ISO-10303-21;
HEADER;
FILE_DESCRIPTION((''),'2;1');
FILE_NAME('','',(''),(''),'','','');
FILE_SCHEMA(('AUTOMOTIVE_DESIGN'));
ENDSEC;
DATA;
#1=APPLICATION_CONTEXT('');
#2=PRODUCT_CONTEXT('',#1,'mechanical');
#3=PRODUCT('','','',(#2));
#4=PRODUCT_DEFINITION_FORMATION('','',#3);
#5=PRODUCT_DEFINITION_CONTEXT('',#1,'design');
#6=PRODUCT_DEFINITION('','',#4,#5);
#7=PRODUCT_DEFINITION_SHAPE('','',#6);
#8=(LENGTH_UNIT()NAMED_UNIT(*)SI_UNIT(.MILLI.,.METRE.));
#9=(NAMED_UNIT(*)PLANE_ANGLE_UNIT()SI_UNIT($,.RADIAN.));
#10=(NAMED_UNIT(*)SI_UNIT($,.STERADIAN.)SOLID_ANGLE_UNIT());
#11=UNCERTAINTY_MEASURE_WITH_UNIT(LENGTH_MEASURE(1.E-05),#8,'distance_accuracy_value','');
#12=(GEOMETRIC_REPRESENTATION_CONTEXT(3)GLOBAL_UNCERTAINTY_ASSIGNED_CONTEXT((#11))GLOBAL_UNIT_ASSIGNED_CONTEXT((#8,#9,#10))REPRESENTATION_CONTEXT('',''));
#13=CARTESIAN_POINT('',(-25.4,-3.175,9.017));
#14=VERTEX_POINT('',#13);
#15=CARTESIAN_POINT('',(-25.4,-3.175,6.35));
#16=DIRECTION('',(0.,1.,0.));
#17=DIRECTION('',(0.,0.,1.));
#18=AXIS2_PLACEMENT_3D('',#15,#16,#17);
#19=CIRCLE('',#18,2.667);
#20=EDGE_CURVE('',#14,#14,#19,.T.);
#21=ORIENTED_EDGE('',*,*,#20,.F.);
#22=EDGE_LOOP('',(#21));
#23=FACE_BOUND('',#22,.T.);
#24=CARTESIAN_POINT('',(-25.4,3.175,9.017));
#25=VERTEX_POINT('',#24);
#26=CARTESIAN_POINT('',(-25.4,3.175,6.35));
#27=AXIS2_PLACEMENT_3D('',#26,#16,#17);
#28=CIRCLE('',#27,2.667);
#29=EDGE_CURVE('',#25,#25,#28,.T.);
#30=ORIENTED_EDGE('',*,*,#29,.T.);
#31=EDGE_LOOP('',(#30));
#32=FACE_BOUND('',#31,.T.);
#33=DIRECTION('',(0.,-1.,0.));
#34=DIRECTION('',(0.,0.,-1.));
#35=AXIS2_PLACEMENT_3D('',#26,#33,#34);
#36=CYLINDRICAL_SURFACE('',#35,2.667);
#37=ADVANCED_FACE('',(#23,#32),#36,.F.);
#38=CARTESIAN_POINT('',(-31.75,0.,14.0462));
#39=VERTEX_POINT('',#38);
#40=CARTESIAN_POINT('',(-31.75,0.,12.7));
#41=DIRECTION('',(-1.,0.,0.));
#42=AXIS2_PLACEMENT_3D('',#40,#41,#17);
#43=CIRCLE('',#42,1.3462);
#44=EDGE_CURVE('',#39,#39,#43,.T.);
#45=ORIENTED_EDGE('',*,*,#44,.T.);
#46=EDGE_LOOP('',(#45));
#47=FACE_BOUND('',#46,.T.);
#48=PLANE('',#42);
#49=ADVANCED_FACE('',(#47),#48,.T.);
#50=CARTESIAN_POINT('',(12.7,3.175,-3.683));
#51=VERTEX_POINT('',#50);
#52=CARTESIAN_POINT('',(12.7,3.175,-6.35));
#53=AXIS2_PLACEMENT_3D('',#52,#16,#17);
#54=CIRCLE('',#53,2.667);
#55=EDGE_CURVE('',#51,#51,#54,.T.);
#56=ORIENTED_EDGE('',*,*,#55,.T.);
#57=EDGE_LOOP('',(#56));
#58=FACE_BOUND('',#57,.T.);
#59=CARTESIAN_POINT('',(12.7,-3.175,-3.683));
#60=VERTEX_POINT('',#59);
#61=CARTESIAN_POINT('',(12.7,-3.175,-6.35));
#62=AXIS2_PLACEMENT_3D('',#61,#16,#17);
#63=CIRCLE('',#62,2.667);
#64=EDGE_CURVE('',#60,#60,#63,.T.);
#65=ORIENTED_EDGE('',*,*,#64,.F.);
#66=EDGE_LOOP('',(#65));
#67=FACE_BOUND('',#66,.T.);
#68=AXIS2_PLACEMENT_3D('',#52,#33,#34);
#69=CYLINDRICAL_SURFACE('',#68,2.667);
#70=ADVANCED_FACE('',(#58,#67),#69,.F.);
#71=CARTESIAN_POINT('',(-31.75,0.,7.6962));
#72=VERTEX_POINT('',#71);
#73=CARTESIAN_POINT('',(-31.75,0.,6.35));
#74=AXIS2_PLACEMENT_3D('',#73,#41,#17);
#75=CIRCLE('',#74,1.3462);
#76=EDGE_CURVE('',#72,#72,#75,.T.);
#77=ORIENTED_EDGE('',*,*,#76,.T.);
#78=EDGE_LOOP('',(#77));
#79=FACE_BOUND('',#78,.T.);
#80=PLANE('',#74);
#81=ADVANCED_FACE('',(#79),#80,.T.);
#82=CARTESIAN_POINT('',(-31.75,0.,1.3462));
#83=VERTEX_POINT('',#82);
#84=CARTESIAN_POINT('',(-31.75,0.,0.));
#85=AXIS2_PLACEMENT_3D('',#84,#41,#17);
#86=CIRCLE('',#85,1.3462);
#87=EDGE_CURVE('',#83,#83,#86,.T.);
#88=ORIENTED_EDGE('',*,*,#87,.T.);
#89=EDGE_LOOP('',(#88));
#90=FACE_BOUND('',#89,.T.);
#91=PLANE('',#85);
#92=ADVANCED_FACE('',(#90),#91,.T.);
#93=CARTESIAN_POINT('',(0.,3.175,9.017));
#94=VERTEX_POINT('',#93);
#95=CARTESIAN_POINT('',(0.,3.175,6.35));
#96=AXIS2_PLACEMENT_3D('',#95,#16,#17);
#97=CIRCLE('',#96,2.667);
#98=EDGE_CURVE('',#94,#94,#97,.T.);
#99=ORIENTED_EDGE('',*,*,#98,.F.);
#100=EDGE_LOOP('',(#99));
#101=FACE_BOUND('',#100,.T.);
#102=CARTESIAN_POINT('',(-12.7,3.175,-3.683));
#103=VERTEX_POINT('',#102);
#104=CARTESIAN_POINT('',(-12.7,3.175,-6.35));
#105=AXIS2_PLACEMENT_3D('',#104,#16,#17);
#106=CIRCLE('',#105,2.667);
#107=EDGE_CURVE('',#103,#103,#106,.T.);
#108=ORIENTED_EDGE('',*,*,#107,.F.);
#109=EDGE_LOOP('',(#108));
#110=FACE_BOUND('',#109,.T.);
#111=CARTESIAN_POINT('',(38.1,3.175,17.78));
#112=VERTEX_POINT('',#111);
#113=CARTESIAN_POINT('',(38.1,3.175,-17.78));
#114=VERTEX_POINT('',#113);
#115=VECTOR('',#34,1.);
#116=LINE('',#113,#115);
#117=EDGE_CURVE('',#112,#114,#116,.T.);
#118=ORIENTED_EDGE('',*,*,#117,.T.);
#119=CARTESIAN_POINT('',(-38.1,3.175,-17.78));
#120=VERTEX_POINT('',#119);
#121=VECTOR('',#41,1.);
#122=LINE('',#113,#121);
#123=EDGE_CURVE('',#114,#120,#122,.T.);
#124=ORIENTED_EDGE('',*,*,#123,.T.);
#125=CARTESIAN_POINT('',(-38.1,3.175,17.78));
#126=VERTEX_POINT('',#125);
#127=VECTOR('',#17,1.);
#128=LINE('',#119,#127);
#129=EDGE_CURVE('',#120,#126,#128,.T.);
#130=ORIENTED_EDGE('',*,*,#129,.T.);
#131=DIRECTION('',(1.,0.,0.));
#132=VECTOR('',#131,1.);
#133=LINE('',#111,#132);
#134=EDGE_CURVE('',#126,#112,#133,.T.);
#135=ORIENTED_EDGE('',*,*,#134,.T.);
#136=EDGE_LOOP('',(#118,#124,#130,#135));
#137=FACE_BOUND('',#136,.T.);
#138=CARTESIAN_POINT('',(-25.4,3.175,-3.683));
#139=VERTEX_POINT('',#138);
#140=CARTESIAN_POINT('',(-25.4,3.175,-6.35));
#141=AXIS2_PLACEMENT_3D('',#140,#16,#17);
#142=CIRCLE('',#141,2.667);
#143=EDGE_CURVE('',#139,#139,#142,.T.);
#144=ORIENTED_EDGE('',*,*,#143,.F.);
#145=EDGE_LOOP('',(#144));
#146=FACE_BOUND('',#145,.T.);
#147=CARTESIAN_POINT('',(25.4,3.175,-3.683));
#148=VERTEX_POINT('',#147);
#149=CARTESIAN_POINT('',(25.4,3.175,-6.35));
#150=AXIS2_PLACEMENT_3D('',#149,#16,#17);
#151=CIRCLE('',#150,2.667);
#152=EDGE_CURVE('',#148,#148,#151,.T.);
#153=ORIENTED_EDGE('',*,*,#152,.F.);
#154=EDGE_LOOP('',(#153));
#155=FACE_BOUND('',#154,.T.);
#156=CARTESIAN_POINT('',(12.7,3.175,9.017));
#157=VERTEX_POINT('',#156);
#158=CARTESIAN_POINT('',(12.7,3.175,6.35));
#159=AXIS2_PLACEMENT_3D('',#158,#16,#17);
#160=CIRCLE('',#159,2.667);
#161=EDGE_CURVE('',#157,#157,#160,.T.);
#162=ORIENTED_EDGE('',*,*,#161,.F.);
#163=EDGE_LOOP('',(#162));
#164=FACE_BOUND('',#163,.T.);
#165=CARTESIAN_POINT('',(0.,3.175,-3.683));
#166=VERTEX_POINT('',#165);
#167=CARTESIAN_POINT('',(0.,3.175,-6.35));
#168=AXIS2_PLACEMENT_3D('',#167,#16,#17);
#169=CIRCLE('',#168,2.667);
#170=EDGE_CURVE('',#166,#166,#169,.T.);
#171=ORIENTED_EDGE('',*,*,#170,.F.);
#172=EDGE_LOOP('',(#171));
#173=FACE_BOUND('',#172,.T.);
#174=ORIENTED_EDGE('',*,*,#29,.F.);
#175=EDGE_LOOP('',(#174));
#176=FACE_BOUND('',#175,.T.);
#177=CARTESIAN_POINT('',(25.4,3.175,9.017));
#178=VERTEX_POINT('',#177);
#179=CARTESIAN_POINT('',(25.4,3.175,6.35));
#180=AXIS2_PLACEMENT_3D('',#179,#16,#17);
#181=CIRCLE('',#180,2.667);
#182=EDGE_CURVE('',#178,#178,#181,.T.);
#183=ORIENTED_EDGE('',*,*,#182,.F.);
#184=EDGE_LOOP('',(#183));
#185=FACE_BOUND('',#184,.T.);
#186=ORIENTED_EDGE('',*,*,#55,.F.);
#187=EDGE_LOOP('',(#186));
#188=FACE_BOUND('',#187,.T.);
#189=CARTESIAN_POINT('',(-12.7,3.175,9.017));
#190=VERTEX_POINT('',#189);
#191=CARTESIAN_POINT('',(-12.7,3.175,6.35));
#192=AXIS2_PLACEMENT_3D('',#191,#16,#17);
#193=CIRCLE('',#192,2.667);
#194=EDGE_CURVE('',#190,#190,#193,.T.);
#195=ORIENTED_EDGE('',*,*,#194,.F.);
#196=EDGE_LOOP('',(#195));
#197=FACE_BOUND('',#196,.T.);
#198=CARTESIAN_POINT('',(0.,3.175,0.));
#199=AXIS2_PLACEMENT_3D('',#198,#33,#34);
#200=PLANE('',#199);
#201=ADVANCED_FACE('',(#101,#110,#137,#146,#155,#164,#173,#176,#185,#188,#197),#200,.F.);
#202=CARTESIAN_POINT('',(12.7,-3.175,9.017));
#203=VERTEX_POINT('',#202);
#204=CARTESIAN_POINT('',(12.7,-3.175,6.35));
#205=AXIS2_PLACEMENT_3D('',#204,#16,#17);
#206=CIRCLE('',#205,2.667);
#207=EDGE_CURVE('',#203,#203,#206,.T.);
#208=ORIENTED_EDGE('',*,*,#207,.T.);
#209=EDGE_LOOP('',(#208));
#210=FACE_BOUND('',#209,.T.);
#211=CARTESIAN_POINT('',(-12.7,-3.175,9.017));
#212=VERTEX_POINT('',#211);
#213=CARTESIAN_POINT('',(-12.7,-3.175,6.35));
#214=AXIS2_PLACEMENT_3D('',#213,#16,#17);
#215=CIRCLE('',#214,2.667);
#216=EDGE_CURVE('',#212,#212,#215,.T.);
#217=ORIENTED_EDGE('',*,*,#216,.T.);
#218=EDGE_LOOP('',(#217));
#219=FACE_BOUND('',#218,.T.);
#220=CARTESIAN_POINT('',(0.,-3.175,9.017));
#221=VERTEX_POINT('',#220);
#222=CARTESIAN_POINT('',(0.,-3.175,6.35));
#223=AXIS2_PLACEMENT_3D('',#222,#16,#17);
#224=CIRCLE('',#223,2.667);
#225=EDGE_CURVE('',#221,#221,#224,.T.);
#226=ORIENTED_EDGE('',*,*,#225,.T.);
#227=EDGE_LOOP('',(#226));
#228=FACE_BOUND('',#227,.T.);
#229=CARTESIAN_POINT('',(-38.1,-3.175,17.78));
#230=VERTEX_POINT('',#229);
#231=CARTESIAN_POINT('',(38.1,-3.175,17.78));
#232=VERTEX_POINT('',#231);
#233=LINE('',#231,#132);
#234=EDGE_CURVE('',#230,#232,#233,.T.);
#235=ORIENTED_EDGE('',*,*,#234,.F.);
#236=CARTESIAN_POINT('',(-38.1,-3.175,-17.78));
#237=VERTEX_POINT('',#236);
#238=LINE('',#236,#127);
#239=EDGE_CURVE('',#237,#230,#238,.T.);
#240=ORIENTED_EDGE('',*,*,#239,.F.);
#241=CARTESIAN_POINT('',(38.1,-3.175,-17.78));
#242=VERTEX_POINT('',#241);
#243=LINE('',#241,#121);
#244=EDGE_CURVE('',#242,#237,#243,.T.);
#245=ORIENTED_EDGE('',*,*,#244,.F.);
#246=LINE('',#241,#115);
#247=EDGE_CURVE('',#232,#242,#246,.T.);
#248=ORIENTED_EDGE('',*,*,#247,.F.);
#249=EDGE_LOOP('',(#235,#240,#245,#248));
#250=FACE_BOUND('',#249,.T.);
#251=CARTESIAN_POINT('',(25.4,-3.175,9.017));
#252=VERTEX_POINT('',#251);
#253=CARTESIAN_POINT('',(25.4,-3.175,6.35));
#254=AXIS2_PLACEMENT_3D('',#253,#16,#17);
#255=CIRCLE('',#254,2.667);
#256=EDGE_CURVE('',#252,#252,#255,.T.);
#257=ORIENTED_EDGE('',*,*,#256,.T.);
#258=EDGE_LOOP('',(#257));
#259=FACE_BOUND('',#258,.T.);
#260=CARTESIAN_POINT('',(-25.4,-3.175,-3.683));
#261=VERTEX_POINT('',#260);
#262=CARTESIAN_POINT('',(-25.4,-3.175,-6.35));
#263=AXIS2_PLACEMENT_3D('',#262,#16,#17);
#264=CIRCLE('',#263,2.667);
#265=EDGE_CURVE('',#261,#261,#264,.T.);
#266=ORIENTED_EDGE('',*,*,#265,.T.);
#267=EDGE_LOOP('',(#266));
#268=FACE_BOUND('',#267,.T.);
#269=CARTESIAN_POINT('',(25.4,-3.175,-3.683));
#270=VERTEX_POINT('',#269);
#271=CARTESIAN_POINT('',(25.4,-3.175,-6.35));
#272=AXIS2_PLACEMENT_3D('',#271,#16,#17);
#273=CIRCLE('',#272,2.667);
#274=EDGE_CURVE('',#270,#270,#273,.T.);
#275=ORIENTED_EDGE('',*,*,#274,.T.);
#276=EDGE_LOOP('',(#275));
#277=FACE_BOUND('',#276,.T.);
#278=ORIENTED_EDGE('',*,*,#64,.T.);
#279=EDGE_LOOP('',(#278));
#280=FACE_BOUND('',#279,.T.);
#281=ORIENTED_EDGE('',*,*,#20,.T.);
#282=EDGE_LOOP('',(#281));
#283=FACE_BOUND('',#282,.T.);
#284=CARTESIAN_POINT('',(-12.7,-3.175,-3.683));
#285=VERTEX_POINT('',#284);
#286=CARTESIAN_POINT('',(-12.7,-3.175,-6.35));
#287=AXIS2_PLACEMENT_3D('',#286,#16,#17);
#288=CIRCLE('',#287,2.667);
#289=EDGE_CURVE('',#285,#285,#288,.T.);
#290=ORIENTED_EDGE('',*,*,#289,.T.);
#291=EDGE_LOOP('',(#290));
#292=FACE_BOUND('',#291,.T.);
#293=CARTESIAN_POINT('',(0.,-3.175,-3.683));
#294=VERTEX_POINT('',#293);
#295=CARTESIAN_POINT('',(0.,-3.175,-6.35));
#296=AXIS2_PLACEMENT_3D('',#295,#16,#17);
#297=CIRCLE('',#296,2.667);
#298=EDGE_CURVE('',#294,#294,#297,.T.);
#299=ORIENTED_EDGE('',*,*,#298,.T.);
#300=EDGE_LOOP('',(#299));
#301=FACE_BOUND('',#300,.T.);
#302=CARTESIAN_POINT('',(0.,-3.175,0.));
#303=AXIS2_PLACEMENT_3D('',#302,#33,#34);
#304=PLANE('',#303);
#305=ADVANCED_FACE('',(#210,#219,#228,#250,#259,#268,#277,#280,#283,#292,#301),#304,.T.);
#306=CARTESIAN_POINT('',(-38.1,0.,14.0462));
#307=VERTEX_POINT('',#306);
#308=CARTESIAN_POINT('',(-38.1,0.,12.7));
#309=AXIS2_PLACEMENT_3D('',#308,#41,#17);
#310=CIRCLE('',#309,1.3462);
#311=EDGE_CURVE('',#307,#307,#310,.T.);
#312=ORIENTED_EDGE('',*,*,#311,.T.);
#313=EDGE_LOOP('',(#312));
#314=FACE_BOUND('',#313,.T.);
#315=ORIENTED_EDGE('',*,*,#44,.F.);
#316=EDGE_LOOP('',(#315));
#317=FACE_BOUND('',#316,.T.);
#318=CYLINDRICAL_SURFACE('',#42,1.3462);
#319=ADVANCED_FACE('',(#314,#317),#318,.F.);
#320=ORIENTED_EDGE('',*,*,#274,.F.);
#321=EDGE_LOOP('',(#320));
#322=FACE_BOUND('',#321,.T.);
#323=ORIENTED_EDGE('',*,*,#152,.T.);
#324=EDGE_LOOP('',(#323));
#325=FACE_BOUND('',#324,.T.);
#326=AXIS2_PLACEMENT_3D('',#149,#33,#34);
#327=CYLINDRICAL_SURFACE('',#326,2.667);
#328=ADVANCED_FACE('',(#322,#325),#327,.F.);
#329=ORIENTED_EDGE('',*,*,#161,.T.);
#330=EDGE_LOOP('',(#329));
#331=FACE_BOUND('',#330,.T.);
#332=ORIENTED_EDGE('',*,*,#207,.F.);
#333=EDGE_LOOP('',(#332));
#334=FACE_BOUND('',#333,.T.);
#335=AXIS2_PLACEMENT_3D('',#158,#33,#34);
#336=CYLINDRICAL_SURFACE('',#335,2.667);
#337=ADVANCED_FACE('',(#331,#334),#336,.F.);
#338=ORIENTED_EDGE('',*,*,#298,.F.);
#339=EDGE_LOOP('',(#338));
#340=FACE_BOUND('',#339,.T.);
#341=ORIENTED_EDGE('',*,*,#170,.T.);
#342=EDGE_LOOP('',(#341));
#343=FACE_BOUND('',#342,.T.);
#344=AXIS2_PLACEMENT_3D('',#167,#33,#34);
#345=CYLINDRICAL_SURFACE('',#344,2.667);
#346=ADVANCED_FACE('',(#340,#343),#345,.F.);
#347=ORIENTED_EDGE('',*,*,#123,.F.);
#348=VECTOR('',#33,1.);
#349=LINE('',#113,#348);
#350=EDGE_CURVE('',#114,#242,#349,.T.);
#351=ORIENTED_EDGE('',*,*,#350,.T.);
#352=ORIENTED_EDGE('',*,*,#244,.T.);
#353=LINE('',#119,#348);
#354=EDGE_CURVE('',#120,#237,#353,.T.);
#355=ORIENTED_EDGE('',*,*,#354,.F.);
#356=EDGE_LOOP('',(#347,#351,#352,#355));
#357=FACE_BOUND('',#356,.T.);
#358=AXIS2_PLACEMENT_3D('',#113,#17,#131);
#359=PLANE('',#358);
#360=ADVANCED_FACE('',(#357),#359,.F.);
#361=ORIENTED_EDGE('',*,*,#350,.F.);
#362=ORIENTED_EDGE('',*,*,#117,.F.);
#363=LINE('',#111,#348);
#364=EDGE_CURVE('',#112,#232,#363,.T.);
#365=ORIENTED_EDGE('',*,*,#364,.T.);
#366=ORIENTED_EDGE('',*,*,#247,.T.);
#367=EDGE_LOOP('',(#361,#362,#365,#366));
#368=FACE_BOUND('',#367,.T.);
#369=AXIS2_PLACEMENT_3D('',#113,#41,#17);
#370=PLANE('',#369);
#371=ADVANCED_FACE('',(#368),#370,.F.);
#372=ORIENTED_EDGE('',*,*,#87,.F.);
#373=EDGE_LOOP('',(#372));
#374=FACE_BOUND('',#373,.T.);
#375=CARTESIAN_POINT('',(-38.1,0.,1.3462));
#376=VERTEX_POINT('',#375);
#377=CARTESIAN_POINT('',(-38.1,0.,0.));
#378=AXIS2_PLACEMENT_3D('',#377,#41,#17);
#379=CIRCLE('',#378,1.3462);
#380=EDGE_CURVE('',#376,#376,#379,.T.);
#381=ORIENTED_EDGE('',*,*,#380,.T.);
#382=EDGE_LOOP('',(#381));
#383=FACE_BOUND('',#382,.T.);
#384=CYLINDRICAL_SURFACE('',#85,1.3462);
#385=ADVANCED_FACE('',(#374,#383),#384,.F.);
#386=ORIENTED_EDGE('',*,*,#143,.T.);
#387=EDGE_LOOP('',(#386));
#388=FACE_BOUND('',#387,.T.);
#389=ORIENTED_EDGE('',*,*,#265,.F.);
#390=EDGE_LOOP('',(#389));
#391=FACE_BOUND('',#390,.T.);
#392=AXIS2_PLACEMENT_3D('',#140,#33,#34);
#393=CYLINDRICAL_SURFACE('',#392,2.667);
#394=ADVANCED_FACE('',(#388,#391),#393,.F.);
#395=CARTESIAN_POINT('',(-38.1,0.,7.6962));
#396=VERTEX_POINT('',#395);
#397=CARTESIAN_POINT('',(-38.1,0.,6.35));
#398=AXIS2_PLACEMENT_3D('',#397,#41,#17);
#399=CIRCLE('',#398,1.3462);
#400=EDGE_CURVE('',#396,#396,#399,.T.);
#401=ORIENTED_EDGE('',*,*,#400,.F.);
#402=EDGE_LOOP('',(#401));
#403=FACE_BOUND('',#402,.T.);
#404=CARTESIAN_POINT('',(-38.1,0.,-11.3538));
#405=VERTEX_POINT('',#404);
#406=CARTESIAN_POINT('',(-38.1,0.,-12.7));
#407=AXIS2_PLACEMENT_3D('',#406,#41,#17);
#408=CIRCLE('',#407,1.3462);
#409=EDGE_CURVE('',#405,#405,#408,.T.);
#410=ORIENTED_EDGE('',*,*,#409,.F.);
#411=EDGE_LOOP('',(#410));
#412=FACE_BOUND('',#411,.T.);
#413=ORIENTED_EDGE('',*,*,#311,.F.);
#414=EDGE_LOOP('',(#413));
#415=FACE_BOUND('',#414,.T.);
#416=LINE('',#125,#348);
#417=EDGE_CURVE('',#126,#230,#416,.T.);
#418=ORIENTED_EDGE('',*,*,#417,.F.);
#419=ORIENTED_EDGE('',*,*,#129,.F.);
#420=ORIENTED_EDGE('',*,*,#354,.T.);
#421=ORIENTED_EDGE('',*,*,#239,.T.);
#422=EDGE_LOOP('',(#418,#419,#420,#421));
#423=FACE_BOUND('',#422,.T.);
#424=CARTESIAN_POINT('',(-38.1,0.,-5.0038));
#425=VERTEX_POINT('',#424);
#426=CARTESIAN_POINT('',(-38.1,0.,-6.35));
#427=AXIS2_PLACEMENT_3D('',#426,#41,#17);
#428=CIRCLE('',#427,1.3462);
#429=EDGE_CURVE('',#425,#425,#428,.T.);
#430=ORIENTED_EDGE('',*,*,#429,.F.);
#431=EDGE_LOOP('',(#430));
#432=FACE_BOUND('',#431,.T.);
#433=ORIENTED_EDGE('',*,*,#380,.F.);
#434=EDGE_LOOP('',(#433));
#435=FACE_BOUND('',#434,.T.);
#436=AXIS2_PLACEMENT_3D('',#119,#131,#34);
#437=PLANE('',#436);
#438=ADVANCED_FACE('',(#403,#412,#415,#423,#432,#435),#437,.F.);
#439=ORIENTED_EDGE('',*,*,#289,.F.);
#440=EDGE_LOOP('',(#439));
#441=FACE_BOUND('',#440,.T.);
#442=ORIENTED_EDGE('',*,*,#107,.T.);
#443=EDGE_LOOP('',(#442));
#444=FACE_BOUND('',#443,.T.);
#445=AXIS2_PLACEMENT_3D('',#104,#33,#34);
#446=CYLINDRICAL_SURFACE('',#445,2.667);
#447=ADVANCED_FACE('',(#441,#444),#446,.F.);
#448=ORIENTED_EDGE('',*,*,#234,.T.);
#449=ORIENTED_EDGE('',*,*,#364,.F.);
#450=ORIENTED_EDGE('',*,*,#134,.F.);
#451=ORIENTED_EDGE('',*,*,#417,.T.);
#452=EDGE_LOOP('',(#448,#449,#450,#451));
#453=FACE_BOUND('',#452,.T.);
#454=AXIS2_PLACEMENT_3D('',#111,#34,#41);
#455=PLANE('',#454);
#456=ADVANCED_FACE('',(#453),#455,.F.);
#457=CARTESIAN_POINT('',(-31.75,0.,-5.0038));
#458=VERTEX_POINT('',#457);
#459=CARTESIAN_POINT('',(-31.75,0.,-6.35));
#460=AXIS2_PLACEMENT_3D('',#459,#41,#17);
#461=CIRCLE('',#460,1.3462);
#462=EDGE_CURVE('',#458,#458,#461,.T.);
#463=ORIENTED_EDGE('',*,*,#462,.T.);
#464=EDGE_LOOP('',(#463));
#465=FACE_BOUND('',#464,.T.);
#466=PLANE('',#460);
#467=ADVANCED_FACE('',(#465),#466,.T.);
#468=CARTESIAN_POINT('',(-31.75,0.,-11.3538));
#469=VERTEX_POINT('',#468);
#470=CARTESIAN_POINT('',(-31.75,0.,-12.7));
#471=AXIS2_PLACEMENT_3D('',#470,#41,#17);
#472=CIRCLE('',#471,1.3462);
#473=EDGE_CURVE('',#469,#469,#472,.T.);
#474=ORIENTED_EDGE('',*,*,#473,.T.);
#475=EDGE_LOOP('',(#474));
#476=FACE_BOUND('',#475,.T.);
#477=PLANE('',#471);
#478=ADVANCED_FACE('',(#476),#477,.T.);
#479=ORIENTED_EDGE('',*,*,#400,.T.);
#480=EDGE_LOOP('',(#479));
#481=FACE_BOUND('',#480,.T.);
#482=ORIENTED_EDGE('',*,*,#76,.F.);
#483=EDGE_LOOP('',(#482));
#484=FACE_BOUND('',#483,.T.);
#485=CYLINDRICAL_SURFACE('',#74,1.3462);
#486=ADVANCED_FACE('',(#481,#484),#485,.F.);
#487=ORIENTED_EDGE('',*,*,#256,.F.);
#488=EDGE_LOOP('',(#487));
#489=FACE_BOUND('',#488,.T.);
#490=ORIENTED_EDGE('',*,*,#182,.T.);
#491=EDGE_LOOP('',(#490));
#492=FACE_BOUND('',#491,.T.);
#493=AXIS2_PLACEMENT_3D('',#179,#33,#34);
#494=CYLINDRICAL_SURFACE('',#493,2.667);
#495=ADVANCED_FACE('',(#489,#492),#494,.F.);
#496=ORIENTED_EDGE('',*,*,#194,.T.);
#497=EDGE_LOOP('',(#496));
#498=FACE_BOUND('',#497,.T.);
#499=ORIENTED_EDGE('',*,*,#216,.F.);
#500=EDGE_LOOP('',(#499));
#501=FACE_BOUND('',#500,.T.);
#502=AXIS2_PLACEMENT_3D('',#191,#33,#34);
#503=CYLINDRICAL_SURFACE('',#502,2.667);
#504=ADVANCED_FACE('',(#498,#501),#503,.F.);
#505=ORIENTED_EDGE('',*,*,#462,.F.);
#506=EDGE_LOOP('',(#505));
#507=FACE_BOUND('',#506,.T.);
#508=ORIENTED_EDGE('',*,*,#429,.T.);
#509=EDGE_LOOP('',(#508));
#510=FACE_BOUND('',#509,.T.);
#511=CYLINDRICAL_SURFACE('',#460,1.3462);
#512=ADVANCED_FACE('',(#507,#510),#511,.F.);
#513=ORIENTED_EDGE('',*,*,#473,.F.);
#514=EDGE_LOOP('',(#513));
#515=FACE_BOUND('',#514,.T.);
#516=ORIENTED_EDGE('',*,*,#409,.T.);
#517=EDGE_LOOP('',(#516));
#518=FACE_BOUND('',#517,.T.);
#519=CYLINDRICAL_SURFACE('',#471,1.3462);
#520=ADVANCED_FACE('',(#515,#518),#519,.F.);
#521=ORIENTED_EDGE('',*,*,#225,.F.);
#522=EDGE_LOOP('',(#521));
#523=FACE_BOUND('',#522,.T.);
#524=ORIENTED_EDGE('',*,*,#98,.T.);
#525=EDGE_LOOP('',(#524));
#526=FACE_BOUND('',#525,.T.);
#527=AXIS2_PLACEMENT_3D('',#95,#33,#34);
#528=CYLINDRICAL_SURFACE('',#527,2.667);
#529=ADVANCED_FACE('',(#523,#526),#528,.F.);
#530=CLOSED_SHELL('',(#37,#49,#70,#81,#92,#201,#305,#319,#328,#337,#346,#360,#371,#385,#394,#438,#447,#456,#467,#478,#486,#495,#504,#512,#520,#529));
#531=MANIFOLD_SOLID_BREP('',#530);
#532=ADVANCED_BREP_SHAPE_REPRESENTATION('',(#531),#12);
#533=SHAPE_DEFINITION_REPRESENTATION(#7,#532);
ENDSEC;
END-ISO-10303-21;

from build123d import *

# Parameters (mm, degrees)
SKETCH1_W           = 76.2
SKETCH1_H           = 35.56
SKETCH1_R           = 2.667
BOSS_EXTRUDE1_DEPTH = 3.175
SKETCH2_R           = 1.3462
CUT_EXTRUDE1_DEPTH  = 6.35


with BuildPart() as part:
    # Sketch1 → Boss-Extrude1 (new, symmetric)
    with BuildSketch(Plane(origin=(0, 0, 0), x_dir=(1, 0, 0), z_dir=(0, 1, 0))):
        Rectangle(SKETCH1_W, SKETCH1_H)
        with Locations(Location((-25.4, 6.35, 0), (0, 0, 270))):
            Circle(SKETCH1_R, mode=Mode.SUBTRACT)
        with Locations(Location((-12.7, 6.35, 0), (0, 0, 270))):
            Circle(SKETCH1_R, mode=Mode.SUBTRACT)
        with Locations(Location((0, 6.35, 0), (0, 0, 270))):
            Circle(SKETCH1_R, mode=Mode.SUBTRACT)
        with Locations(Location((12.7, 6.35, 0), (0, 0, 270))):
            Circle(SKETCH1_R, mode=Mode.SUBTRACT)
        with Locations(Location((25.4, 6.35, 0), (0, 0, 270))):
            Circle(SKETCH1_R, mode=Mode.SUBTRACT)
        with Locations(Location((-12.7, -6.35, 0), (0, 0, 270))):
            Circle(SKETCH1_R, mode=Mode.SUBTRACT)
        with Locations(Location((0, -6.35, 0), (0, 0, 270))):
            Circle(SKETCH1_R, mode=Mode.SUBTRACT)
        with Locations(Location((12.7, -6.35, 0), (0, 0, 270))):
            Circle(SKETCH1_R, mode=Mode.SUBTRACT)
        with Locations(Location((25.4, -6.35, 0), (0, 0, 270))):
            Circle(SKETCH1_R, mode=Mode.SUBTRACT)
        with Locations(Location((-25.4, -6.35, 0), (0, 0, 270))):
            Circle(SKETCH1_R, mode=Mode.SUBTRACT)
    extrude(amount=BOSS_EXTRUDE1_DEPTH, both=True)

    # Sketch2 → Cut-Extrude1 (cut)
    with BuildSketch(Plane.ZY.offset(38.1)):
        with Locations((-12.7, 0)):
            Circle(SKETCH2_R)
        with Locations((-6.35, 0)):
            Circle(SKETCH2_R)
        Circle(SKETCH2_R)
        with Locations((6.35, 0)):
            Circle(SKETCH2_R)
        with Locations((12.7, 0)):
            Circle(SKETCH2_R)
    extrude(amount=-CUT_EXTRUDE1_DEPTH, mode=Mode.SUBTRACT)


solid = part.part
